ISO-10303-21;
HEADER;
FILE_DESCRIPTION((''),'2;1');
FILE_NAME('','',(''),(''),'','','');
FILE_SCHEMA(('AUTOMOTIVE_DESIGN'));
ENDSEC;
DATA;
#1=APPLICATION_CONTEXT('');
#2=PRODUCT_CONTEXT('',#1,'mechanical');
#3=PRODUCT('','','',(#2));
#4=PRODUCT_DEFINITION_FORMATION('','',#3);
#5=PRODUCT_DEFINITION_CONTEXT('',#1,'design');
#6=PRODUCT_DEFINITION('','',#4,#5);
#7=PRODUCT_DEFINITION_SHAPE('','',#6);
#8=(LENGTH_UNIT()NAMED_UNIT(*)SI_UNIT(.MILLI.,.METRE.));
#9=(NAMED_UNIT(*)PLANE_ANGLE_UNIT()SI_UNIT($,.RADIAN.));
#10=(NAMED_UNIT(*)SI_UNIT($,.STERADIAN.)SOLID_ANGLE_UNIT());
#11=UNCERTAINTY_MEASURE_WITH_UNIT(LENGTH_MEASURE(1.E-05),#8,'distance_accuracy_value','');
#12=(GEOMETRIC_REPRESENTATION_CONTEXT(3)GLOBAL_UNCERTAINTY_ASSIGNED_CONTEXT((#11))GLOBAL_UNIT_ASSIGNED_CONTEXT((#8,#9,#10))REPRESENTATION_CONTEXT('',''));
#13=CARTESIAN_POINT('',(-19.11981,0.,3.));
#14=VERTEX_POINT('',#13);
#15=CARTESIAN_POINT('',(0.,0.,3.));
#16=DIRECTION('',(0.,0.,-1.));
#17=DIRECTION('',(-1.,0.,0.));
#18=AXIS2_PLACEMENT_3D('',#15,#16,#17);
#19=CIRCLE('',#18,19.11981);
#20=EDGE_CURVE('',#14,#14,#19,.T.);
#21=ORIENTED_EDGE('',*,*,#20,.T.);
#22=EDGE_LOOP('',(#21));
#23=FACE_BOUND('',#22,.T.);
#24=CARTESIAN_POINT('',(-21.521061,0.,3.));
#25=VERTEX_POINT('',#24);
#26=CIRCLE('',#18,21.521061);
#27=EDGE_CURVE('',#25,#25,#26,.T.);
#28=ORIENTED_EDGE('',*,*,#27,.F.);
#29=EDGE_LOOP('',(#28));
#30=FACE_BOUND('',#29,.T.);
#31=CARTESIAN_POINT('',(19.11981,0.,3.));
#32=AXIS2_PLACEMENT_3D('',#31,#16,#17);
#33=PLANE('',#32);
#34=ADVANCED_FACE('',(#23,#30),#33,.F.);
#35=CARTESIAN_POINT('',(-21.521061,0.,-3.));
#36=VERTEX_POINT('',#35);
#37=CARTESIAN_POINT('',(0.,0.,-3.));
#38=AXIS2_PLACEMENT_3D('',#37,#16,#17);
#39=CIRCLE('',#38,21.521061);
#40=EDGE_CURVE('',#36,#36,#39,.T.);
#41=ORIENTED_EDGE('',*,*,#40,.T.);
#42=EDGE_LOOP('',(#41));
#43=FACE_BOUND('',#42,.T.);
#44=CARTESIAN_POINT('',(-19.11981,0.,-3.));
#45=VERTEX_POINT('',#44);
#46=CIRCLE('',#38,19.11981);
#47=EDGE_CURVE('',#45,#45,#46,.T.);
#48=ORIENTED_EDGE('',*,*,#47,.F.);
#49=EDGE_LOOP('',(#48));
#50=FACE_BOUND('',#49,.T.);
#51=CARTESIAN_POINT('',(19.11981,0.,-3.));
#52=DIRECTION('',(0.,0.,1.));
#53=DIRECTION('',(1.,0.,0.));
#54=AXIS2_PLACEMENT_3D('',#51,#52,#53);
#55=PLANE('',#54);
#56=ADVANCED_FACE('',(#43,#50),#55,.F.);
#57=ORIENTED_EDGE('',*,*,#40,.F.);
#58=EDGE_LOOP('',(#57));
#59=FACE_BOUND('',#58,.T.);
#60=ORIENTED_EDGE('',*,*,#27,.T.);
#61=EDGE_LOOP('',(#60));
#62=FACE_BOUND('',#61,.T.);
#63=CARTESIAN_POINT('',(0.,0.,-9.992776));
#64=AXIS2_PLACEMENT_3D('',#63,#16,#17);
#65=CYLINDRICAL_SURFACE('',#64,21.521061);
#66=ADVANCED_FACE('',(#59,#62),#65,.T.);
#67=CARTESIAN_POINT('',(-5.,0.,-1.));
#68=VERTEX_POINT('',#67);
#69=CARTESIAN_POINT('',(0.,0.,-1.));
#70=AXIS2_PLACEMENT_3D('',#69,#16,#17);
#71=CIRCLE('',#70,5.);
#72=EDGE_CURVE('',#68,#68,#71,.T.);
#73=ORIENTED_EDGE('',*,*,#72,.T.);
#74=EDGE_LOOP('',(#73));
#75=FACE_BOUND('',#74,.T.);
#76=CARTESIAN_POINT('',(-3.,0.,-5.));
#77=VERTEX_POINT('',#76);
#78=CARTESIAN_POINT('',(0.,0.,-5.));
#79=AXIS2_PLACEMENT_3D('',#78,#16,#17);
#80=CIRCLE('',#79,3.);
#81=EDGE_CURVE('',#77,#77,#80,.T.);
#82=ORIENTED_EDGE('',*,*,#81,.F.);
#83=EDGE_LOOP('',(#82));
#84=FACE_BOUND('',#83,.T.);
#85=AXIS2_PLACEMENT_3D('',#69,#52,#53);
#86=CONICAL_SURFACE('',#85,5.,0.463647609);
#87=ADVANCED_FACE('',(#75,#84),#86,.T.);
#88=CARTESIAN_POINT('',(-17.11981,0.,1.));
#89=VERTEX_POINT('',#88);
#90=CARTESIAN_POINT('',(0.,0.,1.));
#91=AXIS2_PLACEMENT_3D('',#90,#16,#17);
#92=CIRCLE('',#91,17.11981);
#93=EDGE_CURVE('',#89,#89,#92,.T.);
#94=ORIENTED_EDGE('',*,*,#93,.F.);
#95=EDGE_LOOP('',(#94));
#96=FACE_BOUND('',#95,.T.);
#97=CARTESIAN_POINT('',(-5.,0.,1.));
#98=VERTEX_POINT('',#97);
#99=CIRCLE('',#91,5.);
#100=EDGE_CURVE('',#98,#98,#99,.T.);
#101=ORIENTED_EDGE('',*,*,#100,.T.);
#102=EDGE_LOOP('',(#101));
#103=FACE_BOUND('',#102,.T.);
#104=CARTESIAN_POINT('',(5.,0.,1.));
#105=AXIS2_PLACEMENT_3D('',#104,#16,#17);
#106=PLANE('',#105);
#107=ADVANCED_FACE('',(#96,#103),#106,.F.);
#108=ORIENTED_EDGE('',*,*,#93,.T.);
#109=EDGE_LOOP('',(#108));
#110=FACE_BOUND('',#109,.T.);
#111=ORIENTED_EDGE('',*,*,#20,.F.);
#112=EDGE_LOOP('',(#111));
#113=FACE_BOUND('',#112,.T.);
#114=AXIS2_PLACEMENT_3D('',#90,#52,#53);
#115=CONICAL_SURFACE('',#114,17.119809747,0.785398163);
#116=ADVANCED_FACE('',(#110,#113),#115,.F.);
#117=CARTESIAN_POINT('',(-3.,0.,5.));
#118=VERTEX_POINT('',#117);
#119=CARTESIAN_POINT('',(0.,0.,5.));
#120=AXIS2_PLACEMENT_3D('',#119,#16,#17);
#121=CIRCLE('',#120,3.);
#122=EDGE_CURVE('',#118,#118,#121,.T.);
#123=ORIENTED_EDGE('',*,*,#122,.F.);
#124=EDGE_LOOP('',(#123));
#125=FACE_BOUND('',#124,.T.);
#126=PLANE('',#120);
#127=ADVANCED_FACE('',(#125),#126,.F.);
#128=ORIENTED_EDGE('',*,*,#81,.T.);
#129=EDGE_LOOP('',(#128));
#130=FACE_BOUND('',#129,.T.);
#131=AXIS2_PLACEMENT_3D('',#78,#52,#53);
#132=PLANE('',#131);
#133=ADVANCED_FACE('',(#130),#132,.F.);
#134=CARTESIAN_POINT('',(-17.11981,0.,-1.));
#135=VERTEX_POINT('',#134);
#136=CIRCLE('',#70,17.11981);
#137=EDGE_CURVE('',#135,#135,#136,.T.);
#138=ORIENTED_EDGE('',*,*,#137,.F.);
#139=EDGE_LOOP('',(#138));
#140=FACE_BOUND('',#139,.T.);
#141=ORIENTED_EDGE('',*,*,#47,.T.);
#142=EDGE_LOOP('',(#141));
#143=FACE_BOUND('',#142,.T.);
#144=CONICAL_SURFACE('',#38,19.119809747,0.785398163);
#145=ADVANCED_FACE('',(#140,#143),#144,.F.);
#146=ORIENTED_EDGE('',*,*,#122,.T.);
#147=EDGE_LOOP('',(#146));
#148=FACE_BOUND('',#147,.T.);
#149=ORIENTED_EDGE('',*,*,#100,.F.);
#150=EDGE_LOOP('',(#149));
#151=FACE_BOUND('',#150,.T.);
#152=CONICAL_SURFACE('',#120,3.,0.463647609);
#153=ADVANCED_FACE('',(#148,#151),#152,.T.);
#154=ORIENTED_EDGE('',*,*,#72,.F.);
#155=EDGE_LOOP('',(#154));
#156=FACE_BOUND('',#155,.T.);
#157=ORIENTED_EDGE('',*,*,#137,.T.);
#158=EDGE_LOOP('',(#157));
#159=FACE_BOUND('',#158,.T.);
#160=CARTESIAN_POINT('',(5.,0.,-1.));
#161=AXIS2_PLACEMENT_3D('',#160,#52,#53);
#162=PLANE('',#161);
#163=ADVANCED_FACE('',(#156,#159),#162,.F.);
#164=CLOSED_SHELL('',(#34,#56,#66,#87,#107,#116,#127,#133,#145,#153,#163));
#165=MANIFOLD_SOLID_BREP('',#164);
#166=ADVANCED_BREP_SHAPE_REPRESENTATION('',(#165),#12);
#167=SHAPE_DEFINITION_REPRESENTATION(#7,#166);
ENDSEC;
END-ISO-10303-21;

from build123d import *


with BuildPart() as part:
    # Sketch3 → Revolve1 (revolve)
    with BuildSketch(Plane(origin=(0, 0, 0), x_dir=(1, 0, 0), z_dir=(0, 1, 0)), mode=Mode.PRIVATE) as revolve1_sk:
        Polygon((17.119809747, 1), (19.119809747, 3), (21.521061255, 3), (21.521061255, -3), (19.119809747, -3), (17.119809747, -1), (5, -1), (3, -5), (0, -5), (0, 5), (3, 5), (5, 1), align=None)
    revolve(revolve1_sk.sketch.rotate(Axis((0, 0, -9.992775867), (0, 0, 1)), 180), axis=Axis((0, 0, -9.992775867), (0, 0, 1)))


solid = part.part
